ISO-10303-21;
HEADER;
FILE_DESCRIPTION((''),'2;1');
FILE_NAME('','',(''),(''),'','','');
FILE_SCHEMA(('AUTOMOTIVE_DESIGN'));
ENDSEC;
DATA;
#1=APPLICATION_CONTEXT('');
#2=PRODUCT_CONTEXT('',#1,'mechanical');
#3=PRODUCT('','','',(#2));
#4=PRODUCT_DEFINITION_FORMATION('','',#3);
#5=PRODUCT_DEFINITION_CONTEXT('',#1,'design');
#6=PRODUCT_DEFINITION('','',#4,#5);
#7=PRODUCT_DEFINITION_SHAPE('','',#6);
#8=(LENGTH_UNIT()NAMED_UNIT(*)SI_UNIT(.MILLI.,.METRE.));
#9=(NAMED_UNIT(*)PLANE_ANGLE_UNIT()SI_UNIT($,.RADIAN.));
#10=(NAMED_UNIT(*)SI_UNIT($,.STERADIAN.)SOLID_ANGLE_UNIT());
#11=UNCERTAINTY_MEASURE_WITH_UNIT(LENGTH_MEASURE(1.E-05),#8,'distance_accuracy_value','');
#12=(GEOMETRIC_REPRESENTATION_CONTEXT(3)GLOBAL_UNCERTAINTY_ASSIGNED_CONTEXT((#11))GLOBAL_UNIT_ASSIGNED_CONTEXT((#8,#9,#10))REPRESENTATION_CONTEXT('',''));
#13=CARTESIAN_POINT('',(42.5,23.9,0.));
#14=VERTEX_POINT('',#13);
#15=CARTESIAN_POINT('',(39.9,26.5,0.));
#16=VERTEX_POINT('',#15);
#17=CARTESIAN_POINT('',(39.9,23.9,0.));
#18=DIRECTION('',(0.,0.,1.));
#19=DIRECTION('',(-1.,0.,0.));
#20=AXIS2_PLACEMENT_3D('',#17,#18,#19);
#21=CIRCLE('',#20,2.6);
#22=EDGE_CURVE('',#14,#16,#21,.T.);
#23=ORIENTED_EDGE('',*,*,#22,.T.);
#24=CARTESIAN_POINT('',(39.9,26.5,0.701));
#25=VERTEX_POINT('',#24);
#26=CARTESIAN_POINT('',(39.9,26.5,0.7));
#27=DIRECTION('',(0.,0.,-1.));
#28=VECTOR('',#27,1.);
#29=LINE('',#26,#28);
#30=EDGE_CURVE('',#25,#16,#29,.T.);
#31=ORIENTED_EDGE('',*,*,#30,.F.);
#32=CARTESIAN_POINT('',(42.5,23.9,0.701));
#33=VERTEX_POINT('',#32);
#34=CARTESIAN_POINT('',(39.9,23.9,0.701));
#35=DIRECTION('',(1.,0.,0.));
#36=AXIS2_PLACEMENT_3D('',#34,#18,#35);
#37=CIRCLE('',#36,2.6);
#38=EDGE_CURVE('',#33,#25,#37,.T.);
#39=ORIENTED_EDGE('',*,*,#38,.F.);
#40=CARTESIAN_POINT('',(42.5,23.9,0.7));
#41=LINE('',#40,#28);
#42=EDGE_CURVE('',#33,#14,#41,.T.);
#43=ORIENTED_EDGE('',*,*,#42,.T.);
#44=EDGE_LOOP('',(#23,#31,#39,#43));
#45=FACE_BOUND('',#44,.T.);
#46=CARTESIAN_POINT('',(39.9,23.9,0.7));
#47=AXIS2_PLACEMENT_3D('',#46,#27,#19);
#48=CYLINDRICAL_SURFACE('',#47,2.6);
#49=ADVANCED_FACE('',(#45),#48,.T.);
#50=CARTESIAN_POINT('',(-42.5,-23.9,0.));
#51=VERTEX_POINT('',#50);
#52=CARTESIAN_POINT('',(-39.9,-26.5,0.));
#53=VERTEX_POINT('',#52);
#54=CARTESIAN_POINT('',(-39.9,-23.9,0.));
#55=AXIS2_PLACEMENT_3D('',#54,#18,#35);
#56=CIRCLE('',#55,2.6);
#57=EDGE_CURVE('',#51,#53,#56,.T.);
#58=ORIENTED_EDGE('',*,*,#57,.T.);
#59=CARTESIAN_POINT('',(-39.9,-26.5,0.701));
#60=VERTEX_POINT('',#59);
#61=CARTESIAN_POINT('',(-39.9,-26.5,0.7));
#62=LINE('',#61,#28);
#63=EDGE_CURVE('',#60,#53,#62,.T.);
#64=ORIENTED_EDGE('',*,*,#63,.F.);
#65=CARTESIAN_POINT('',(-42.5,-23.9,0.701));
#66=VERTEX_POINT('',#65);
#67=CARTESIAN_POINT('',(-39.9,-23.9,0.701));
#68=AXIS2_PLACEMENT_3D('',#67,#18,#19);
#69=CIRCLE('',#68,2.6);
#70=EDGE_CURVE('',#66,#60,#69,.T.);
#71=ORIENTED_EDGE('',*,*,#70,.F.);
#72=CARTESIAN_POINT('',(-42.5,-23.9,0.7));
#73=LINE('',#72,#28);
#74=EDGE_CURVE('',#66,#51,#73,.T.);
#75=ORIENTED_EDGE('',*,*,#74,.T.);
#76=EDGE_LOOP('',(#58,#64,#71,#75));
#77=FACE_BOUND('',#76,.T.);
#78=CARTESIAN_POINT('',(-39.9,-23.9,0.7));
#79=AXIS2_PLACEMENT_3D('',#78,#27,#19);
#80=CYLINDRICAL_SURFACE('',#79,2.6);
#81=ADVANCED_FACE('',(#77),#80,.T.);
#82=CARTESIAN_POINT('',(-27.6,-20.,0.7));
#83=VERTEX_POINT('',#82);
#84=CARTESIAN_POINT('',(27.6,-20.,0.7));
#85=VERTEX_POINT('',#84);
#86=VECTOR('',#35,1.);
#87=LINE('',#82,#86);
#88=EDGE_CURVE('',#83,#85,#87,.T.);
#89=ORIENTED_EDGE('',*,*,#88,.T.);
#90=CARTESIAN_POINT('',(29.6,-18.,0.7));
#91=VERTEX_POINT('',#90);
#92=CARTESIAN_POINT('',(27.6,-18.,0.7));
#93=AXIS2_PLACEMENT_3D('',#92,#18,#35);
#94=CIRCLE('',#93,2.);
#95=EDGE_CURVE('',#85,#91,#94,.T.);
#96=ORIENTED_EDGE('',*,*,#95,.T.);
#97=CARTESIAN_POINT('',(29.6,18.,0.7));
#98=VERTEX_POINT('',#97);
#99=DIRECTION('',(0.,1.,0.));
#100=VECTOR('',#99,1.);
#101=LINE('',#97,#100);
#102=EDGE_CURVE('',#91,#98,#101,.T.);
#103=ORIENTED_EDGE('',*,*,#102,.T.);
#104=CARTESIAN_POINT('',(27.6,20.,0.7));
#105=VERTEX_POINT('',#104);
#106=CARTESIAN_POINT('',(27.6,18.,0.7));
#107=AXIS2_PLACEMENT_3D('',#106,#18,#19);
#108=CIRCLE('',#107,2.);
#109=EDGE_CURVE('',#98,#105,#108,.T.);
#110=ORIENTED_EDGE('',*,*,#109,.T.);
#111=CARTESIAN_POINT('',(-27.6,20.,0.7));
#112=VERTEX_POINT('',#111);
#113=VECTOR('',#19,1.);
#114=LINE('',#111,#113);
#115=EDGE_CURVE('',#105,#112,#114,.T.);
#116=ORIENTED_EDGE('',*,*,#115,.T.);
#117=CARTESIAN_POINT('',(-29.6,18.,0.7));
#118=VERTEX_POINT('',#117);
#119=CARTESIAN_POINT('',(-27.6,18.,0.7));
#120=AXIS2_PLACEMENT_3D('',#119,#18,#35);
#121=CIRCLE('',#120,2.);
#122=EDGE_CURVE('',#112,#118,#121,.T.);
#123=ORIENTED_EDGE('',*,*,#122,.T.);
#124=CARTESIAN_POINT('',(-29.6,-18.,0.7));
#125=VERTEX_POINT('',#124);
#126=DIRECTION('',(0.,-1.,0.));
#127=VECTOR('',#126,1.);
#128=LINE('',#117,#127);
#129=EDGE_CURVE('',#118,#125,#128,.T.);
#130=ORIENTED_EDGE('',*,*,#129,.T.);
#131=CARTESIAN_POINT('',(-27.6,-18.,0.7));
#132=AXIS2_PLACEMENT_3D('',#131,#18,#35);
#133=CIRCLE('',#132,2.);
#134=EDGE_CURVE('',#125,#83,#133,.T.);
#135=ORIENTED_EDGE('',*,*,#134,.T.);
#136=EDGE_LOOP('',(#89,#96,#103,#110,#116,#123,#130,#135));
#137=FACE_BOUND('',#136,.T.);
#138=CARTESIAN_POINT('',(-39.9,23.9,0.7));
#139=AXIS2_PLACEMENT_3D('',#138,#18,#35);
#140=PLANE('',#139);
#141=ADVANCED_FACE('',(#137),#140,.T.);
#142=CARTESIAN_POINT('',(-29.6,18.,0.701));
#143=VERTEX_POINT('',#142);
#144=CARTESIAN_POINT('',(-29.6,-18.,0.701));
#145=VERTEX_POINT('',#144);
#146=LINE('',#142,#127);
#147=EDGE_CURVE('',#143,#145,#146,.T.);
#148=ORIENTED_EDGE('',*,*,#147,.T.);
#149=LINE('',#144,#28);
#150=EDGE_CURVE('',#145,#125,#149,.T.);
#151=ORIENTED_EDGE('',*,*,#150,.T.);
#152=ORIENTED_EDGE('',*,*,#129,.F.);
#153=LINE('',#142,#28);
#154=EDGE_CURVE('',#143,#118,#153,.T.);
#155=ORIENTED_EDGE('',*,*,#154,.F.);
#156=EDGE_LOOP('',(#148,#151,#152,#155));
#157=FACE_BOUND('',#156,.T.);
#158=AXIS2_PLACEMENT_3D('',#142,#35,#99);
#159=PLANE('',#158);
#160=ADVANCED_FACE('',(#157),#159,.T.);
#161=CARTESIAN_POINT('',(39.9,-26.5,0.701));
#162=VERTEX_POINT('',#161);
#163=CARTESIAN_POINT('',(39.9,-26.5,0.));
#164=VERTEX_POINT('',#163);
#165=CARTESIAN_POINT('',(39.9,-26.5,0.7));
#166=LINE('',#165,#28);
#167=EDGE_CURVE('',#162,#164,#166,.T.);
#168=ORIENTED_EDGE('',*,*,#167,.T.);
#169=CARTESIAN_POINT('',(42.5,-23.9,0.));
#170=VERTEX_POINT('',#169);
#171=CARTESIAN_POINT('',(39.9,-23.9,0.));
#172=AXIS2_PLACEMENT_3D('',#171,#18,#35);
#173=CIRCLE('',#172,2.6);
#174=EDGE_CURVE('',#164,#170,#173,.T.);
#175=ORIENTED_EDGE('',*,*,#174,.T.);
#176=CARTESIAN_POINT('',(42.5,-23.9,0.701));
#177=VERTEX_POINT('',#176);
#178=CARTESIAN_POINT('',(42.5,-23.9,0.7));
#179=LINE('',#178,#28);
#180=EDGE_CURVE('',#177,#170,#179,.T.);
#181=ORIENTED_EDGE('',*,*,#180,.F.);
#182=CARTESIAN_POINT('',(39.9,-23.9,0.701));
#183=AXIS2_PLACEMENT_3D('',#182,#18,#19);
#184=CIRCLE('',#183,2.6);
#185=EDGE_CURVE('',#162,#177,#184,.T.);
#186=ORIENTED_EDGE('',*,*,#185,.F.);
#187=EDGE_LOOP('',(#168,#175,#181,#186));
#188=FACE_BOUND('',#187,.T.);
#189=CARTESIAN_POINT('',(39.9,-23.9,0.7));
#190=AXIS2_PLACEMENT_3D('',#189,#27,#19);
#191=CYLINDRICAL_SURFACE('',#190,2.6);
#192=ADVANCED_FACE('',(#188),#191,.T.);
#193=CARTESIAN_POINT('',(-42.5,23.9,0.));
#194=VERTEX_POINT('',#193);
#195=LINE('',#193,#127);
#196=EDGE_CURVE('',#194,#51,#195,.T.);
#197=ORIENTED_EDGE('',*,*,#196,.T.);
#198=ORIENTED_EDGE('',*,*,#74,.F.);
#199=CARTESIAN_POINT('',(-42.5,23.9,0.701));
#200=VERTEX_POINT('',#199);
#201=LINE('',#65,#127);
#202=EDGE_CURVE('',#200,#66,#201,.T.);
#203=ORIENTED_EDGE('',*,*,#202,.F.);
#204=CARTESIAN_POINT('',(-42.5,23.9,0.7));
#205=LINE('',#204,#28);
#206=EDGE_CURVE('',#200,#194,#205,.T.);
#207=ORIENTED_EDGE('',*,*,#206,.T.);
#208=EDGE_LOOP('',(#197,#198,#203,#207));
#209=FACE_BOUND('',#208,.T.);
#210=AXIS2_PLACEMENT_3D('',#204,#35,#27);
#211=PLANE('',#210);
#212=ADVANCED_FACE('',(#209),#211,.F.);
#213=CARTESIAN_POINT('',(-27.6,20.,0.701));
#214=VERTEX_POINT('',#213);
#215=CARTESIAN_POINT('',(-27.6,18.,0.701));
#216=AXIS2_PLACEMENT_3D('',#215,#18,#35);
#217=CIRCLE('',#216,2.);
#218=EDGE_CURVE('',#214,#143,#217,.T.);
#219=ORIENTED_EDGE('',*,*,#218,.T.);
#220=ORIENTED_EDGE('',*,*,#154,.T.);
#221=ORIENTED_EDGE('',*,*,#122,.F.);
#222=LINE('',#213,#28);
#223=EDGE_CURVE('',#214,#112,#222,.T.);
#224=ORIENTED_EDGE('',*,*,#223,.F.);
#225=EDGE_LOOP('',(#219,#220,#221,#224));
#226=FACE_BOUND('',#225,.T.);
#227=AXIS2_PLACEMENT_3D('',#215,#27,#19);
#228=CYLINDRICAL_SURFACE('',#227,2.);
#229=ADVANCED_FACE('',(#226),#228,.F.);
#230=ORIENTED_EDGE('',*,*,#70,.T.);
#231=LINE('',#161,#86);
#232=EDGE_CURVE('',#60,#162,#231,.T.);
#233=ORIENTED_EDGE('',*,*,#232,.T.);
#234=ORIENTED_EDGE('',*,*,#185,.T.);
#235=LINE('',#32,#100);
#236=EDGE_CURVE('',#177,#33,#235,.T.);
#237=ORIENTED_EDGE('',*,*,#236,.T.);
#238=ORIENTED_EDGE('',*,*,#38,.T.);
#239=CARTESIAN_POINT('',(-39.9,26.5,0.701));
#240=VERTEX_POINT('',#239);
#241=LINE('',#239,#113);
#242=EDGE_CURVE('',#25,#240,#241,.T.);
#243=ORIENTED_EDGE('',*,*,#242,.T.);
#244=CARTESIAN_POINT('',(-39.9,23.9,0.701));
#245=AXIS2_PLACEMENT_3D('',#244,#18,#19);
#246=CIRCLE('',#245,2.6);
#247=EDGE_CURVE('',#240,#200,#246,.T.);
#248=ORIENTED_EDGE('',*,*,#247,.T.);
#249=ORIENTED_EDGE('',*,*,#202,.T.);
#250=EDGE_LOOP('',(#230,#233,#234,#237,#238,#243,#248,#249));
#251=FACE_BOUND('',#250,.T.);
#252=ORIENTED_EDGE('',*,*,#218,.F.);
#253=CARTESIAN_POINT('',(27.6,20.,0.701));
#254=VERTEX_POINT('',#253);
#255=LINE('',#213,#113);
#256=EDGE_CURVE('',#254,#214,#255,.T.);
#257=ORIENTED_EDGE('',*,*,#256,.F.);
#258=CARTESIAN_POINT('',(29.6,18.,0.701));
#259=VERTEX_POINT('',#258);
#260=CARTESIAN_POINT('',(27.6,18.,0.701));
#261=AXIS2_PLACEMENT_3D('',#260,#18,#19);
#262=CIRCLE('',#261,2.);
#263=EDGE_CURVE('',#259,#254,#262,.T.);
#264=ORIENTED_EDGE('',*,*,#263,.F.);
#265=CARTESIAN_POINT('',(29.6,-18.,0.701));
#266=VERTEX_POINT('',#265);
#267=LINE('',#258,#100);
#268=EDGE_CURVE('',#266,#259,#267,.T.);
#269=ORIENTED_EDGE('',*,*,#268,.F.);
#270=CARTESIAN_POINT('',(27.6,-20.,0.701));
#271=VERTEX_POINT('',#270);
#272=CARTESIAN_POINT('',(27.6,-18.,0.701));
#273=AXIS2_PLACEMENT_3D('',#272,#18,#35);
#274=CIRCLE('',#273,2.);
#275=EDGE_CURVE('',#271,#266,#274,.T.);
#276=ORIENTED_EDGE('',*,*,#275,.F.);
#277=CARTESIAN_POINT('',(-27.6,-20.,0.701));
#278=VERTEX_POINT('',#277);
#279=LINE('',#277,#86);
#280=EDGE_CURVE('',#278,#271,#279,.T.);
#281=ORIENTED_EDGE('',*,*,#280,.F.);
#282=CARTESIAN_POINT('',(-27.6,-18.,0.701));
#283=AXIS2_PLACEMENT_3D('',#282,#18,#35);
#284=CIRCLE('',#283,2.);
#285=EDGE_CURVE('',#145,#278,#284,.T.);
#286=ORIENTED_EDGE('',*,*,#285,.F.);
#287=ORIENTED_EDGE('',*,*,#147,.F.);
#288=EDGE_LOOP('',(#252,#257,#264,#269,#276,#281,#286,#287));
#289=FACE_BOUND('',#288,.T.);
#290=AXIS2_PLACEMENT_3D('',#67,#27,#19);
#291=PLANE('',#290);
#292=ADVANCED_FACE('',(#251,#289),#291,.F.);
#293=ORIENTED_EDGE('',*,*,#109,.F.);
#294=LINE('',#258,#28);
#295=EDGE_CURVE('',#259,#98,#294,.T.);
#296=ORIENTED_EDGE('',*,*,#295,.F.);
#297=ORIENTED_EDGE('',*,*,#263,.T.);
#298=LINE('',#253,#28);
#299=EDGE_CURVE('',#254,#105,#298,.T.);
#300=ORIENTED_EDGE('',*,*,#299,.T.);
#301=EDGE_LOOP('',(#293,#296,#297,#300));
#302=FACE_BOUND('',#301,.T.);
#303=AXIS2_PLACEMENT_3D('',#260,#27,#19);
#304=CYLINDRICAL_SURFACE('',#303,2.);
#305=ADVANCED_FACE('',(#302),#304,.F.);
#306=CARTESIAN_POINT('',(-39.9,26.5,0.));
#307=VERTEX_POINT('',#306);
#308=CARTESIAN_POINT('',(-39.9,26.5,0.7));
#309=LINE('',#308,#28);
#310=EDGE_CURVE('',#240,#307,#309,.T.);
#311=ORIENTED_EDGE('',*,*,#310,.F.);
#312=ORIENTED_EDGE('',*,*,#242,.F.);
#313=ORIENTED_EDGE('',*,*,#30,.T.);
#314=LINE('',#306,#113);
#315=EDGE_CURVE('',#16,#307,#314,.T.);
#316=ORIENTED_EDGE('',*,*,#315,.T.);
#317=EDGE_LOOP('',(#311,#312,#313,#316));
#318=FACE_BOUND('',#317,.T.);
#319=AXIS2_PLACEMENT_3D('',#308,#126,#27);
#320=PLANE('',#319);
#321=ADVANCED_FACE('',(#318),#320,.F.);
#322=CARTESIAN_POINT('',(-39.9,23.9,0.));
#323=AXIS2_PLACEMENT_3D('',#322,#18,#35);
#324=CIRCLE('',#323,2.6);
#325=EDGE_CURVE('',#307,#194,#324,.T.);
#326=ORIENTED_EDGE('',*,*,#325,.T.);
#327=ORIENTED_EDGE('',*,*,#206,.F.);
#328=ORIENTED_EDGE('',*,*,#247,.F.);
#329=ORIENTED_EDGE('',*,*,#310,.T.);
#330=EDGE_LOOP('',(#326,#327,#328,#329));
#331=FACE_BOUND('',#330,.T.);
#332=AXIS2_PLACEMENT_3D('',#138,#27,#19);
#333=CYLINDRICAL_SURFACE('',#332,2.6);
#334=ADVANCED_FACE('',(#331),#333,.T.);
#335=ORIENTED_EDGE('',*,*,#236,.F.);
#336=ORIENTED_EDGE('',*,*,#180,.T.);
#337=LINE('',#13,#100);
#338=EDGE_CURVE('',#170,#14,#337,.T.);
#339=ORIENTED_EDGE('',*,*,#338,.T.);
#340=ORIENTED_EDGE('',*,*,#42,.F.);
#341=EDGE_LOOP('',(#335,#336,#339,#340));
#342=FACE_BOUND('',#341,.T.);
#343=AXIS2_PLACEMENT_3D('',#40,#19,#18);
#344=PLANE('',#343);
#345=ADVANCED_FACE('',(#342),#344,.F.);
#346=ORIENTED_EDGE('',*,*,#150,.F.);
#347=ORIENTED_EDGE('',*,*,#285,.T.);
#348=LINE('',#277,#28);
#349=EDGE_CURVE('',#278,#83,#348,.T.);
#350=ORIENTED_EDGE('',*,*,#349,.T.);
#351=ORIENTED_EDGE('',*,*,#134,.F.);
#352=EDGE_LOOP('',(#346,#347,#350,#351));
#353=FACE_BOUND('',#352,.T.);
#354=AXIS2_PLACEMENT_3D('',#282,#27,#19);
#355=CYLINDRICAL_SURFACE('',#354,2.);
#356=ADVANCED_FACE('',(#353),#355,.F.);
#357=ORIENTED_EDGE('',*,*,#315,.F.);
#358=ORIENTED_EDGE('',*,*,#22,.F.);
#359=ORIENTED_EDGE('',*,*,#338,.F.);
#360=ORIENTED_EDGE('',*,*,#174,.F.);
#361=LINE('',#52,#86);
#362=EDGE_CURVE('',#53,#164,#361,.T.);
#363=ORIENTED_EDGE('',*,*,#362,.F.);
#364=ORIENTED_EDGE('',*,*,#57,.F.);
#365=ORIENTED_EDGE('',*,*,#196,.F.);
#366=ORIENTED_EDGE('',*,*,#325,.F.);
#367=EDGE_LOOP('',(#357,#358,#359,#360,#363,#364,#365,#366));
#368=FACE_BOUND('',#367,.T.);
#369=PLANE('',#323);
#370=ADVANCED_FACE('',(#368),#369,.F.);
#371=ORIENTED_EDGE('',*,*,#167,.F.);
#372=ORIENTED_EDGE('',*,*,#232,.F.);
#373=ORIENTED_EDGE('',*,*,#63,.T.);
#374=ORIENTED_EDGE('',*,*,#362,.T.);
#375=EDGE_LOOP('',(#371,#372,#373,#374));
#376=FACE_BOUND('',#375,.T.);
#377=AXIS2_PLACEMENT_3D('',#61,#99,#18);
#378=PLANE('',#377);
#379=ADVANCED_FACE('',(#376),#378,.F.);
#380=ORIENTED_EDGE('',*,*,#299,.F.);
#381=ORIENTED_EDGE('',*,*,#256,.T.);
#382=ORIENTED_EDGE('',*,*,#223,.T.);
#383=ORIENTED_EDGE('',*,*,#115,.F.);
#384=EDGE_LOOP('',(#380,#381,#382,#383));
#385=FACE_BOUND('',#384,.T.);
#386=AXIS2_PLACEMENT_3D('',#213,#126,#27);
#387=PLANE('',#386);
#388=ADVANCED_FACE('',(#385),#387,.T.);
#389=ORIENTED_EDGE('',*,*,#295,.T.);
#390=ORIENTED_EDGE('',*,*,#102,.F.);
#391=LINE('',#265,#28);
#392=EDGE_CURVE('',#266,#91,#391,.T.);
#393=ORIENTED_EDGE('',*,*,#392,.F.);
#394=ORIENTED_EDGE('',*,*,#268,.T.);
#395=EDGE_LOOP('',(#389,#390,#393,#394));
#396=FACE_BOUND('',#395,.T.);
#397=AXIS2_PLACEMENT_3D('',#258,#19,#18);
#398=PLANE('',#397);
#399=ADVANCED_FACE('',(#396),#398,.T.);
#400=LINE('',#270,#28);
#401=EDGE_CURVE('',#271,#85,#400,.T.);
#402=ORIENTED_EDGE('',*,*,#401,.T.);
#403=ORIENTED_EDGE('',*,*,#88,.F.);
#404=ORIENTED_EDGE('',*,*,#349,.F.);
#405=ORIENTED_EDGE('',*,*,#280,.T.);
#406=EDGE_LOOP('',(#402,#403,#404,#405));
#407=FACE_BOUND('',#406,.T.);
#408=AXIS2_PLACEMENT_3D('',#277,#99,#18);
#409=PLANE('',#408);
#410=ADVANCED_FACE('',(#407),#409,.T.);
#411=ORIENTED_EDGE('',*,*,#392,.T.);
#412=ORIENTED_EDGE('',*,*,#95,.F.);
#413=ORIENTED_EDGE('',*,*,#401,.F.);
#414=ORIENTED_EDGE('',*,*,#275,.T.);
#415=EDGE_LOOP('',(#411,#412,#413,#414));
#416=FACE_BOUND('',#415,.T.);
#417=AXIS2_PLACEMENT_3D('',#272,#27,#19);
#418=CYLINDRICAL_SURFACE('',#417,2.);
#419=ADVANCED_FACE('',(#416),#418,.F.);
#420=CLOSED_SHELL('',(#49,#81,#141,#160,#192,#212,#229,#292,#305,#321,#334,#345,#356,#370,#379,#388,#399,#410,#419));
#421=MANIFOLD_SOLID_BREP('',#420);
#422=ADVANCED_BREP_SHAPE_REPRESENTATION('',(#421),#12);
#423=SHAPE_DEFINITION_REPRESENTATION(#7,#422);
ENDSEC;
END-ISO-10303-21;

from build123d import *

# Parameters (mm, degrees)
EXTRUDE_1_DEPTH = 0.7
EXTRUDE_2_DEPTH = 0.001


with BuildPart() as part:
    # Эскиз1 → Бобышка-Вытянуть1 (new body)
    with BuildSketch(Plane.XY):
        with BuildLine():
            Line((-39.9, 26.5), (39.9, 26.5))
            ThreePointArc((39.9, 26.5), (41.738477631, 25.738477631), (42.5, 23.9))
            Line((42.5, 23.9), (42.5, -23.9))
            ThreePointArc((42.5, -23.9), (41.738477631, -25.738477631), (39.9, -26.5))
            Line((39.9, -26.5), (-39.9, -26.5))
            ThreePointArc((-39.9, -26.5), (-41.738477631, -25.738477631), (-42.5, -23.9))
            Line((-42.5, -23.9), (-42.5, 23.9))
            ThreePointArc((-42.5, 23.9), (-41.738477631, 25.738477631), (-39.9, 26.5))
        make_face()
    extrude(amount=EXTRUDE_1_DEPTH)

    # Эскиз2 → Бобышка-Вытянуть2 (add)
    with BuildSketch(Plane.XY.offset(0.7)):
        with BuildLine():
            Line((-42.5, -23.9), (-42.5, 23.9))
            ThreePointArc((-42.5, 23.9), (-41.738477631, 25.738477631), (-39.9, 26.5))
            Line((-39.9, 26.5), (39.9, 26.5))
            ThreePointArc((39.9, 26.5), (41.738477631, 25.738477631), (42.5, 23.9))
            Line((42.5, 23.9), (42.5, -23.9))
            ThreePointArc((42.5, -23.9), (41.738477631, -25.738477631), (39.9, -26.5))
            Line((39.9, -26.5), (-39.9, -26.5))
            ThreePointArc((-39.9, -26.5), (-41.738477631, -25.738477631), (-42.5, -23.9))
        make_face()
        with BuildLine():
            Line((-27.6, 20), (27.6, 20))
            ThreePointArc((27.6, 20), (29.014213562, 19.414213562), (29.6, 18))
            Line((29.6, 18), (29.6, -18))
            ThreePointArc((29.6, -18), (29.014213562, -19.414213562), (27.6, -20))
            Line((27.6, -20), (-27.6, -20))
            ThreePointArc((-27.6, -20), (-29.014213562, -19.414213562), (-29.6, -18))
            Line((-29.6, -18), (-29.6, 18))
            ThreePointArc((-29.6, 18), (-29.014213562, 19.414213562), (-27.6, 20))
        make_face(mode=Mode.SUBTRACT)
    extrude(amount=EXTRUDE_2_DEPTH)


solid = part.part
